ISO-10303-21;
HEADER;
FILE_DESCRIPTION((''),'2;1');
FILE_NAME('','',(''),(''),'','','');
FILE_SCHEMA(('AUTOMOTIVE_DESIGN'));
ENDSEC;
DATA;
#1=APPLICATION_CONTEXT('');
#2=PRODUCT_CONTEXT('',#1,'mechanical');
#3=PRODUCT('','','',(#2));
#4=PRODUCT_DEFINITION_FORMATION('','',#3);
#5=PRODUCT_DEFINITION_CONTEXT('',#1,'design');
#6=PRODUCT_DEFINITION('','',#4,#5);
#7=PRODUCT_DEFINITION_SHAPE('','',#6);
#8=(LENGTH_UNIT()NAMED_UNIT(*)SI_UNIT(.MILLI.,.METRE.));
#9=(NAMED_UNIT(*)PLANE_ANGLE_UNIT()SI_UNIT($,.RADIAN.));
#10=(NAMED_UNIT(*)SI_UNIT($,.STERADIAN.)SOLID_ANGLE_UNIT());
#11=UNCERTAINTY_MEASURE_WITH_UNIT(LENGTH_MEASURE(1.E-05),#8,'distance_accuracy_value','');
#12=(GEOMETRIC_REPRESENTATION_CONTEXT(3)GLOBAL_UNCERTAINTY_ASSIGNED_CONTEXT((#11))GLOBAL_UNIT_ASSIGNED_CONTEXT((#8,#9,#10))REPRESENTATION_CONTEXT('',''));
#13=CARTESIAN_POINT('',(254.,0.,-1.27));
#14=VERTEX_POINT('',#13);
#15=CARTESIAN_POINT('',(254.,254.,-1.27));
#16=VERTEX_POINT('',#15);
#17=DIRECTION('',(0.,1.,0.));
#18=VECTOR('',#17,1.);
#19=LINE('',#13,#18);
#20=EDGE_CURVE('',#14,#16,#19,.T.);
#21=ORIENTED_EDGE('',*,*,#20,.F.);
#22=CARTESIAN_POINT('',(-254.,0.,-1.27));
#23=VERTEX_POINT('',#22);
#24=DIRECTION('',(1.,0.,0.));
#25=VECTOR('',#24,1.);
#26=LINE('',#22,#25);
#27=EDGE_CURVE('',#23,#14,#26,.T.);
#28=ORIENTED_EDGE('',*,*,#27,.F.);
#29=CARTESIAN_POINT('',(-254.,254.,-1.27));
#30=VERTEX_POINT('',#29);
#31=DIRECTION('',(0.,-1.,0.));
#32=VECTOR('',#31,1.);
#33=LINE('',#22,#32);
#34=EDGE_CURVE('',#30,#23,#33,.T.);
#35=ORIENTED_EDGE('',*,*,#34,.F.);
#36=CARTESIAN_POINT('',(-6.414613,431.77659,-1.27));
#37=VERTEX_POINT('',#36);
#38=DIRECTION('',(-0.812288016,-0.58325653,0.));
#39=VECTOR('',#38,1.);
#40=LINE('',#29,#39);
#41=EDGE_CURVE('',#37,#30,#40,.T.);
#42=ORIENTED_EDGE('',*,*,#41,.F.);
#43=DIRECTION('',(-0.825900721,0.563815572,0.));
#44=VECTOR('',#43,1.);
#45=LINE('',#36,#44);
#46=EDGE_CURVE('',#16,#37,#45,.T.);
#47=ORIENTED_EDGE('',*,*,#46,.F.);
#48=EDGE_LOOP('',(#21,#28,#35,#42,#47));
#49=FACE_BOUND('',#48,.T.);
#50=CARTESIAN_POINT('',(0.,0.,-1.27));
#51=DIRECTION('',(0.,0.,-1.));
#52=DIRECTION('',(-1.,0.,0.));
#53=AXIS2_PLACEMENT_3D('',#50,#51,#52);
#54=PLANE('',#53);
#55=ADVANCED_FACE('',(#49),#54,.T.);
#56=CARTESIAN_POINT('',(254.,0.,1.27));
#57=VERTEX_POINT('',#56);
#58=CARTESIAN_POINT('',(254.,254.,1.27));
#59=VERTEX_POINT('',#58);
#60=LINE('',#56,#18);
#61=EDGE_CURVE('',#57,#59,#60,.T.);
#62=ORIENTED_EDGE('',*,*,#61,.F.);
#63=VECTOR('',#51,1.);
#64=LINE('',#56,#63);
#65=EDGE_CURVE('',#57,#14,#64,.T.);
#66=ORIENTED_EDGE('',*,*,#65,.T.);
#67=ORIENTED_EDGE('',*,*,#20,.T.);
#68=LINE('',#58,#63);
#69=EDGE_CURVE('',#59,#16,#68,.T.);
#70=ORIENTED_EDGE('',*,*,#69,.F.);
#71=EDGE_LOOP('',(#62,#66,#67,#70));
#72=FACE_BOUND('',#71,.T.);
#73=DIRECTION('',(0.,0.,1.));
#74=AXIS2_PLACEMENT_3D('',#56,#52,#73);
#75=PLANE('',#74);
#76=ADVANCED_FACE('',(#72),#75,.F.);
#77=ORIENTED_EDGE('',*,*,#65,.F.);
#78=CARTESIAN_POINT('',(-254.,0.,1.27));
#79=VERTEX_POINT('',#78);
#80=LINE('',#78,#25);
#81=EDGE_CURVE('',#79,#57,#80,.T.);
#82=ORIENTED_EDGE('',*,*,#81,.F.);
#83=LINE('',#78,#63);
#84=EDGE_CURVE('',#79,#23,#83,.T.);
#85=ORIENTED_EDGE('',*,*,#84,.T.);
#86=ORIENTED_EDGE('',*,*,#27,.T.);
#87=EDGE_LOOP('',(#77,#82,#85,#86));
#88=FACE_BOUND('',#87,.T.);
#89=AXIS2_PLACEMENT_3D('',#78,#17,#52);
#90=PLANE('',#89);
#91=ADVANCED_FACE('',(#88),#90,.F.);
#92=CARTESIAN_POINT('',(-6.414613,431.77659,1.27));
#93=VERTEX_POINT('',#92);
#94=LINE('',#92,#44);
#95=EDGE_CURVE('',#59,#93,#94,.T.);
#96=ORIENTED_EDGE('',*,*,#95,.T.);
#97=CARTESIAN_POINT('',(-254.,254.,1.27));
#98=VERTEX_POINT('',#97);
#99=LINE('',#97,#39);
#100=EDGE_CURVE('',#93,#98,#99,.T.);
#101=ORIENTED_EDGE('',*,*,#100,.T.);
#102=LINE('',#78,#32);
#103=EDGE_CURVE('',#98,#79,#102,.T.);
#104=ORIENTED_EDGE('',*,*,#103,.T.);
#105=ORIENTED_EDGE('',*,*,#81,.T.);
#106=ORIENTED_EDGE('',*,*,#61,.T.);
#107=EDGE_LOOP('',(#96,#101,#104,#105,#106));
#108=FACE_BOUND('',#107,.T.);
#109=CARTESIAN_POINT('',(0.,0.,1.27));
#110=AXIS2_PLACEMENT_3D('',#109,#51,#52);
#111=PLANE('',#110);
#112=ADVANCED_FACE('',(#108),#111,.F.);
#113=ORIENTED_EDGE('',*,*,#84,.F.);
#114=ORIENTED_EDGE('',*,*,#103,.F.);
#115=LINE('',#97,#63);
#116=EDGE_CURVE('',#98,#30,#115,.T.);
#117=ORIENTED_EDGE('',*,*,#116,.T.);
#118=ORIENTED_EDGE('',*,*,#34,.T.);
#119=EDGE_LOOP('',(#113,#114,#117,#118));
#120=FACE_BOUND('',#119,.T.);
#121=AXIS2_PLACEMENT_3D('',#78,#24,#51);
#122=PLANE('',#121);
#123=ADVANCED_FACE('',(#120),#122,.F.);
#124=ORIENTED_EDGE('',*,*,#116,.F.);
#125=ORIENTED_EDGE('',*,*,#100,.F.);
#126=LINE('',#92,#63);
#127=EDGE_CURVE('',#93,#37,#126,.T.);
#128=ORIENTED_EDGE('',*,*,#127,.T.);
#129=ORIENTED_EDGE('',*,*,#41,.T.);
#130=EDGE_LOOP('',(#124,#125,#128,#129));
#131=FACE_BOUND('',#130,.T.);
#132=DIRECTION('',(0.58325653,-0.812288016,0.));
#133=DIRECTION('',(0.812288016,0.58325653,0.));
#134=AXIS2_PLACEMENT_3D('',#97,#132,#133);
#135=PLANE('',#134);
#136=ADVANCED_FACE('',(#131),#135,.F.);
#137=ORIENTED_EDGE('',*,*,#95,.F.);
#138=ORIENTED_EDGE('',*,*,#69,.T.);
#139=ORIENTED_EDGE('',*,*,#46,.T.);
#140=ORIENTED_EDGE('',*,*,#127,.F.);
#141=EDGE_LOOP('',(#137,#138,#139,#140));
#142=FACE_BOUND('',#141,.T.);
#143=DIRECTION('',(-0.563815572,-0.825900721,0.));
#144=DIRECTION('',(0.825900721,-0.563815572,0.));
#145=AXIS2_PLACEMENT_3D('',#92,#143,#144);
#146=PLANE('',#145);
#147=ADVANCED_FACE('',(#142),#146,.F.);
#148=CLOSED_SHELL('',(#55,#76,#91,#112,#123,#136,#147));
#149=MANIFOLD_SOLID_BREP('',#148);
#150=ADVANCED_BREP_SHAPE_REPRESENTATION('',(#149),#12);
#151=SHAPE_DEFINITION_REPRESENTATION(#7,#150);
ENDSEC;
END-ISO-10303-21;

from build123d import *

# Parameters (mm, degrees)
BOSS_EXTRUDE1_DEPTH = 1.27


with BuildPart() as part:
    # Sketch1 → Boss-Extrude1 (new, symmetric)
    with BuildSketch(Plane.XY):
        Polygon((-254, 0), (254, 0), (254, 254), (-6.414612797, 431.776590257), (-254, 254), align=None)
    extrude(amount=BOSS_EXTRUDE1_DEPTH, both=True)


solid = part.part
